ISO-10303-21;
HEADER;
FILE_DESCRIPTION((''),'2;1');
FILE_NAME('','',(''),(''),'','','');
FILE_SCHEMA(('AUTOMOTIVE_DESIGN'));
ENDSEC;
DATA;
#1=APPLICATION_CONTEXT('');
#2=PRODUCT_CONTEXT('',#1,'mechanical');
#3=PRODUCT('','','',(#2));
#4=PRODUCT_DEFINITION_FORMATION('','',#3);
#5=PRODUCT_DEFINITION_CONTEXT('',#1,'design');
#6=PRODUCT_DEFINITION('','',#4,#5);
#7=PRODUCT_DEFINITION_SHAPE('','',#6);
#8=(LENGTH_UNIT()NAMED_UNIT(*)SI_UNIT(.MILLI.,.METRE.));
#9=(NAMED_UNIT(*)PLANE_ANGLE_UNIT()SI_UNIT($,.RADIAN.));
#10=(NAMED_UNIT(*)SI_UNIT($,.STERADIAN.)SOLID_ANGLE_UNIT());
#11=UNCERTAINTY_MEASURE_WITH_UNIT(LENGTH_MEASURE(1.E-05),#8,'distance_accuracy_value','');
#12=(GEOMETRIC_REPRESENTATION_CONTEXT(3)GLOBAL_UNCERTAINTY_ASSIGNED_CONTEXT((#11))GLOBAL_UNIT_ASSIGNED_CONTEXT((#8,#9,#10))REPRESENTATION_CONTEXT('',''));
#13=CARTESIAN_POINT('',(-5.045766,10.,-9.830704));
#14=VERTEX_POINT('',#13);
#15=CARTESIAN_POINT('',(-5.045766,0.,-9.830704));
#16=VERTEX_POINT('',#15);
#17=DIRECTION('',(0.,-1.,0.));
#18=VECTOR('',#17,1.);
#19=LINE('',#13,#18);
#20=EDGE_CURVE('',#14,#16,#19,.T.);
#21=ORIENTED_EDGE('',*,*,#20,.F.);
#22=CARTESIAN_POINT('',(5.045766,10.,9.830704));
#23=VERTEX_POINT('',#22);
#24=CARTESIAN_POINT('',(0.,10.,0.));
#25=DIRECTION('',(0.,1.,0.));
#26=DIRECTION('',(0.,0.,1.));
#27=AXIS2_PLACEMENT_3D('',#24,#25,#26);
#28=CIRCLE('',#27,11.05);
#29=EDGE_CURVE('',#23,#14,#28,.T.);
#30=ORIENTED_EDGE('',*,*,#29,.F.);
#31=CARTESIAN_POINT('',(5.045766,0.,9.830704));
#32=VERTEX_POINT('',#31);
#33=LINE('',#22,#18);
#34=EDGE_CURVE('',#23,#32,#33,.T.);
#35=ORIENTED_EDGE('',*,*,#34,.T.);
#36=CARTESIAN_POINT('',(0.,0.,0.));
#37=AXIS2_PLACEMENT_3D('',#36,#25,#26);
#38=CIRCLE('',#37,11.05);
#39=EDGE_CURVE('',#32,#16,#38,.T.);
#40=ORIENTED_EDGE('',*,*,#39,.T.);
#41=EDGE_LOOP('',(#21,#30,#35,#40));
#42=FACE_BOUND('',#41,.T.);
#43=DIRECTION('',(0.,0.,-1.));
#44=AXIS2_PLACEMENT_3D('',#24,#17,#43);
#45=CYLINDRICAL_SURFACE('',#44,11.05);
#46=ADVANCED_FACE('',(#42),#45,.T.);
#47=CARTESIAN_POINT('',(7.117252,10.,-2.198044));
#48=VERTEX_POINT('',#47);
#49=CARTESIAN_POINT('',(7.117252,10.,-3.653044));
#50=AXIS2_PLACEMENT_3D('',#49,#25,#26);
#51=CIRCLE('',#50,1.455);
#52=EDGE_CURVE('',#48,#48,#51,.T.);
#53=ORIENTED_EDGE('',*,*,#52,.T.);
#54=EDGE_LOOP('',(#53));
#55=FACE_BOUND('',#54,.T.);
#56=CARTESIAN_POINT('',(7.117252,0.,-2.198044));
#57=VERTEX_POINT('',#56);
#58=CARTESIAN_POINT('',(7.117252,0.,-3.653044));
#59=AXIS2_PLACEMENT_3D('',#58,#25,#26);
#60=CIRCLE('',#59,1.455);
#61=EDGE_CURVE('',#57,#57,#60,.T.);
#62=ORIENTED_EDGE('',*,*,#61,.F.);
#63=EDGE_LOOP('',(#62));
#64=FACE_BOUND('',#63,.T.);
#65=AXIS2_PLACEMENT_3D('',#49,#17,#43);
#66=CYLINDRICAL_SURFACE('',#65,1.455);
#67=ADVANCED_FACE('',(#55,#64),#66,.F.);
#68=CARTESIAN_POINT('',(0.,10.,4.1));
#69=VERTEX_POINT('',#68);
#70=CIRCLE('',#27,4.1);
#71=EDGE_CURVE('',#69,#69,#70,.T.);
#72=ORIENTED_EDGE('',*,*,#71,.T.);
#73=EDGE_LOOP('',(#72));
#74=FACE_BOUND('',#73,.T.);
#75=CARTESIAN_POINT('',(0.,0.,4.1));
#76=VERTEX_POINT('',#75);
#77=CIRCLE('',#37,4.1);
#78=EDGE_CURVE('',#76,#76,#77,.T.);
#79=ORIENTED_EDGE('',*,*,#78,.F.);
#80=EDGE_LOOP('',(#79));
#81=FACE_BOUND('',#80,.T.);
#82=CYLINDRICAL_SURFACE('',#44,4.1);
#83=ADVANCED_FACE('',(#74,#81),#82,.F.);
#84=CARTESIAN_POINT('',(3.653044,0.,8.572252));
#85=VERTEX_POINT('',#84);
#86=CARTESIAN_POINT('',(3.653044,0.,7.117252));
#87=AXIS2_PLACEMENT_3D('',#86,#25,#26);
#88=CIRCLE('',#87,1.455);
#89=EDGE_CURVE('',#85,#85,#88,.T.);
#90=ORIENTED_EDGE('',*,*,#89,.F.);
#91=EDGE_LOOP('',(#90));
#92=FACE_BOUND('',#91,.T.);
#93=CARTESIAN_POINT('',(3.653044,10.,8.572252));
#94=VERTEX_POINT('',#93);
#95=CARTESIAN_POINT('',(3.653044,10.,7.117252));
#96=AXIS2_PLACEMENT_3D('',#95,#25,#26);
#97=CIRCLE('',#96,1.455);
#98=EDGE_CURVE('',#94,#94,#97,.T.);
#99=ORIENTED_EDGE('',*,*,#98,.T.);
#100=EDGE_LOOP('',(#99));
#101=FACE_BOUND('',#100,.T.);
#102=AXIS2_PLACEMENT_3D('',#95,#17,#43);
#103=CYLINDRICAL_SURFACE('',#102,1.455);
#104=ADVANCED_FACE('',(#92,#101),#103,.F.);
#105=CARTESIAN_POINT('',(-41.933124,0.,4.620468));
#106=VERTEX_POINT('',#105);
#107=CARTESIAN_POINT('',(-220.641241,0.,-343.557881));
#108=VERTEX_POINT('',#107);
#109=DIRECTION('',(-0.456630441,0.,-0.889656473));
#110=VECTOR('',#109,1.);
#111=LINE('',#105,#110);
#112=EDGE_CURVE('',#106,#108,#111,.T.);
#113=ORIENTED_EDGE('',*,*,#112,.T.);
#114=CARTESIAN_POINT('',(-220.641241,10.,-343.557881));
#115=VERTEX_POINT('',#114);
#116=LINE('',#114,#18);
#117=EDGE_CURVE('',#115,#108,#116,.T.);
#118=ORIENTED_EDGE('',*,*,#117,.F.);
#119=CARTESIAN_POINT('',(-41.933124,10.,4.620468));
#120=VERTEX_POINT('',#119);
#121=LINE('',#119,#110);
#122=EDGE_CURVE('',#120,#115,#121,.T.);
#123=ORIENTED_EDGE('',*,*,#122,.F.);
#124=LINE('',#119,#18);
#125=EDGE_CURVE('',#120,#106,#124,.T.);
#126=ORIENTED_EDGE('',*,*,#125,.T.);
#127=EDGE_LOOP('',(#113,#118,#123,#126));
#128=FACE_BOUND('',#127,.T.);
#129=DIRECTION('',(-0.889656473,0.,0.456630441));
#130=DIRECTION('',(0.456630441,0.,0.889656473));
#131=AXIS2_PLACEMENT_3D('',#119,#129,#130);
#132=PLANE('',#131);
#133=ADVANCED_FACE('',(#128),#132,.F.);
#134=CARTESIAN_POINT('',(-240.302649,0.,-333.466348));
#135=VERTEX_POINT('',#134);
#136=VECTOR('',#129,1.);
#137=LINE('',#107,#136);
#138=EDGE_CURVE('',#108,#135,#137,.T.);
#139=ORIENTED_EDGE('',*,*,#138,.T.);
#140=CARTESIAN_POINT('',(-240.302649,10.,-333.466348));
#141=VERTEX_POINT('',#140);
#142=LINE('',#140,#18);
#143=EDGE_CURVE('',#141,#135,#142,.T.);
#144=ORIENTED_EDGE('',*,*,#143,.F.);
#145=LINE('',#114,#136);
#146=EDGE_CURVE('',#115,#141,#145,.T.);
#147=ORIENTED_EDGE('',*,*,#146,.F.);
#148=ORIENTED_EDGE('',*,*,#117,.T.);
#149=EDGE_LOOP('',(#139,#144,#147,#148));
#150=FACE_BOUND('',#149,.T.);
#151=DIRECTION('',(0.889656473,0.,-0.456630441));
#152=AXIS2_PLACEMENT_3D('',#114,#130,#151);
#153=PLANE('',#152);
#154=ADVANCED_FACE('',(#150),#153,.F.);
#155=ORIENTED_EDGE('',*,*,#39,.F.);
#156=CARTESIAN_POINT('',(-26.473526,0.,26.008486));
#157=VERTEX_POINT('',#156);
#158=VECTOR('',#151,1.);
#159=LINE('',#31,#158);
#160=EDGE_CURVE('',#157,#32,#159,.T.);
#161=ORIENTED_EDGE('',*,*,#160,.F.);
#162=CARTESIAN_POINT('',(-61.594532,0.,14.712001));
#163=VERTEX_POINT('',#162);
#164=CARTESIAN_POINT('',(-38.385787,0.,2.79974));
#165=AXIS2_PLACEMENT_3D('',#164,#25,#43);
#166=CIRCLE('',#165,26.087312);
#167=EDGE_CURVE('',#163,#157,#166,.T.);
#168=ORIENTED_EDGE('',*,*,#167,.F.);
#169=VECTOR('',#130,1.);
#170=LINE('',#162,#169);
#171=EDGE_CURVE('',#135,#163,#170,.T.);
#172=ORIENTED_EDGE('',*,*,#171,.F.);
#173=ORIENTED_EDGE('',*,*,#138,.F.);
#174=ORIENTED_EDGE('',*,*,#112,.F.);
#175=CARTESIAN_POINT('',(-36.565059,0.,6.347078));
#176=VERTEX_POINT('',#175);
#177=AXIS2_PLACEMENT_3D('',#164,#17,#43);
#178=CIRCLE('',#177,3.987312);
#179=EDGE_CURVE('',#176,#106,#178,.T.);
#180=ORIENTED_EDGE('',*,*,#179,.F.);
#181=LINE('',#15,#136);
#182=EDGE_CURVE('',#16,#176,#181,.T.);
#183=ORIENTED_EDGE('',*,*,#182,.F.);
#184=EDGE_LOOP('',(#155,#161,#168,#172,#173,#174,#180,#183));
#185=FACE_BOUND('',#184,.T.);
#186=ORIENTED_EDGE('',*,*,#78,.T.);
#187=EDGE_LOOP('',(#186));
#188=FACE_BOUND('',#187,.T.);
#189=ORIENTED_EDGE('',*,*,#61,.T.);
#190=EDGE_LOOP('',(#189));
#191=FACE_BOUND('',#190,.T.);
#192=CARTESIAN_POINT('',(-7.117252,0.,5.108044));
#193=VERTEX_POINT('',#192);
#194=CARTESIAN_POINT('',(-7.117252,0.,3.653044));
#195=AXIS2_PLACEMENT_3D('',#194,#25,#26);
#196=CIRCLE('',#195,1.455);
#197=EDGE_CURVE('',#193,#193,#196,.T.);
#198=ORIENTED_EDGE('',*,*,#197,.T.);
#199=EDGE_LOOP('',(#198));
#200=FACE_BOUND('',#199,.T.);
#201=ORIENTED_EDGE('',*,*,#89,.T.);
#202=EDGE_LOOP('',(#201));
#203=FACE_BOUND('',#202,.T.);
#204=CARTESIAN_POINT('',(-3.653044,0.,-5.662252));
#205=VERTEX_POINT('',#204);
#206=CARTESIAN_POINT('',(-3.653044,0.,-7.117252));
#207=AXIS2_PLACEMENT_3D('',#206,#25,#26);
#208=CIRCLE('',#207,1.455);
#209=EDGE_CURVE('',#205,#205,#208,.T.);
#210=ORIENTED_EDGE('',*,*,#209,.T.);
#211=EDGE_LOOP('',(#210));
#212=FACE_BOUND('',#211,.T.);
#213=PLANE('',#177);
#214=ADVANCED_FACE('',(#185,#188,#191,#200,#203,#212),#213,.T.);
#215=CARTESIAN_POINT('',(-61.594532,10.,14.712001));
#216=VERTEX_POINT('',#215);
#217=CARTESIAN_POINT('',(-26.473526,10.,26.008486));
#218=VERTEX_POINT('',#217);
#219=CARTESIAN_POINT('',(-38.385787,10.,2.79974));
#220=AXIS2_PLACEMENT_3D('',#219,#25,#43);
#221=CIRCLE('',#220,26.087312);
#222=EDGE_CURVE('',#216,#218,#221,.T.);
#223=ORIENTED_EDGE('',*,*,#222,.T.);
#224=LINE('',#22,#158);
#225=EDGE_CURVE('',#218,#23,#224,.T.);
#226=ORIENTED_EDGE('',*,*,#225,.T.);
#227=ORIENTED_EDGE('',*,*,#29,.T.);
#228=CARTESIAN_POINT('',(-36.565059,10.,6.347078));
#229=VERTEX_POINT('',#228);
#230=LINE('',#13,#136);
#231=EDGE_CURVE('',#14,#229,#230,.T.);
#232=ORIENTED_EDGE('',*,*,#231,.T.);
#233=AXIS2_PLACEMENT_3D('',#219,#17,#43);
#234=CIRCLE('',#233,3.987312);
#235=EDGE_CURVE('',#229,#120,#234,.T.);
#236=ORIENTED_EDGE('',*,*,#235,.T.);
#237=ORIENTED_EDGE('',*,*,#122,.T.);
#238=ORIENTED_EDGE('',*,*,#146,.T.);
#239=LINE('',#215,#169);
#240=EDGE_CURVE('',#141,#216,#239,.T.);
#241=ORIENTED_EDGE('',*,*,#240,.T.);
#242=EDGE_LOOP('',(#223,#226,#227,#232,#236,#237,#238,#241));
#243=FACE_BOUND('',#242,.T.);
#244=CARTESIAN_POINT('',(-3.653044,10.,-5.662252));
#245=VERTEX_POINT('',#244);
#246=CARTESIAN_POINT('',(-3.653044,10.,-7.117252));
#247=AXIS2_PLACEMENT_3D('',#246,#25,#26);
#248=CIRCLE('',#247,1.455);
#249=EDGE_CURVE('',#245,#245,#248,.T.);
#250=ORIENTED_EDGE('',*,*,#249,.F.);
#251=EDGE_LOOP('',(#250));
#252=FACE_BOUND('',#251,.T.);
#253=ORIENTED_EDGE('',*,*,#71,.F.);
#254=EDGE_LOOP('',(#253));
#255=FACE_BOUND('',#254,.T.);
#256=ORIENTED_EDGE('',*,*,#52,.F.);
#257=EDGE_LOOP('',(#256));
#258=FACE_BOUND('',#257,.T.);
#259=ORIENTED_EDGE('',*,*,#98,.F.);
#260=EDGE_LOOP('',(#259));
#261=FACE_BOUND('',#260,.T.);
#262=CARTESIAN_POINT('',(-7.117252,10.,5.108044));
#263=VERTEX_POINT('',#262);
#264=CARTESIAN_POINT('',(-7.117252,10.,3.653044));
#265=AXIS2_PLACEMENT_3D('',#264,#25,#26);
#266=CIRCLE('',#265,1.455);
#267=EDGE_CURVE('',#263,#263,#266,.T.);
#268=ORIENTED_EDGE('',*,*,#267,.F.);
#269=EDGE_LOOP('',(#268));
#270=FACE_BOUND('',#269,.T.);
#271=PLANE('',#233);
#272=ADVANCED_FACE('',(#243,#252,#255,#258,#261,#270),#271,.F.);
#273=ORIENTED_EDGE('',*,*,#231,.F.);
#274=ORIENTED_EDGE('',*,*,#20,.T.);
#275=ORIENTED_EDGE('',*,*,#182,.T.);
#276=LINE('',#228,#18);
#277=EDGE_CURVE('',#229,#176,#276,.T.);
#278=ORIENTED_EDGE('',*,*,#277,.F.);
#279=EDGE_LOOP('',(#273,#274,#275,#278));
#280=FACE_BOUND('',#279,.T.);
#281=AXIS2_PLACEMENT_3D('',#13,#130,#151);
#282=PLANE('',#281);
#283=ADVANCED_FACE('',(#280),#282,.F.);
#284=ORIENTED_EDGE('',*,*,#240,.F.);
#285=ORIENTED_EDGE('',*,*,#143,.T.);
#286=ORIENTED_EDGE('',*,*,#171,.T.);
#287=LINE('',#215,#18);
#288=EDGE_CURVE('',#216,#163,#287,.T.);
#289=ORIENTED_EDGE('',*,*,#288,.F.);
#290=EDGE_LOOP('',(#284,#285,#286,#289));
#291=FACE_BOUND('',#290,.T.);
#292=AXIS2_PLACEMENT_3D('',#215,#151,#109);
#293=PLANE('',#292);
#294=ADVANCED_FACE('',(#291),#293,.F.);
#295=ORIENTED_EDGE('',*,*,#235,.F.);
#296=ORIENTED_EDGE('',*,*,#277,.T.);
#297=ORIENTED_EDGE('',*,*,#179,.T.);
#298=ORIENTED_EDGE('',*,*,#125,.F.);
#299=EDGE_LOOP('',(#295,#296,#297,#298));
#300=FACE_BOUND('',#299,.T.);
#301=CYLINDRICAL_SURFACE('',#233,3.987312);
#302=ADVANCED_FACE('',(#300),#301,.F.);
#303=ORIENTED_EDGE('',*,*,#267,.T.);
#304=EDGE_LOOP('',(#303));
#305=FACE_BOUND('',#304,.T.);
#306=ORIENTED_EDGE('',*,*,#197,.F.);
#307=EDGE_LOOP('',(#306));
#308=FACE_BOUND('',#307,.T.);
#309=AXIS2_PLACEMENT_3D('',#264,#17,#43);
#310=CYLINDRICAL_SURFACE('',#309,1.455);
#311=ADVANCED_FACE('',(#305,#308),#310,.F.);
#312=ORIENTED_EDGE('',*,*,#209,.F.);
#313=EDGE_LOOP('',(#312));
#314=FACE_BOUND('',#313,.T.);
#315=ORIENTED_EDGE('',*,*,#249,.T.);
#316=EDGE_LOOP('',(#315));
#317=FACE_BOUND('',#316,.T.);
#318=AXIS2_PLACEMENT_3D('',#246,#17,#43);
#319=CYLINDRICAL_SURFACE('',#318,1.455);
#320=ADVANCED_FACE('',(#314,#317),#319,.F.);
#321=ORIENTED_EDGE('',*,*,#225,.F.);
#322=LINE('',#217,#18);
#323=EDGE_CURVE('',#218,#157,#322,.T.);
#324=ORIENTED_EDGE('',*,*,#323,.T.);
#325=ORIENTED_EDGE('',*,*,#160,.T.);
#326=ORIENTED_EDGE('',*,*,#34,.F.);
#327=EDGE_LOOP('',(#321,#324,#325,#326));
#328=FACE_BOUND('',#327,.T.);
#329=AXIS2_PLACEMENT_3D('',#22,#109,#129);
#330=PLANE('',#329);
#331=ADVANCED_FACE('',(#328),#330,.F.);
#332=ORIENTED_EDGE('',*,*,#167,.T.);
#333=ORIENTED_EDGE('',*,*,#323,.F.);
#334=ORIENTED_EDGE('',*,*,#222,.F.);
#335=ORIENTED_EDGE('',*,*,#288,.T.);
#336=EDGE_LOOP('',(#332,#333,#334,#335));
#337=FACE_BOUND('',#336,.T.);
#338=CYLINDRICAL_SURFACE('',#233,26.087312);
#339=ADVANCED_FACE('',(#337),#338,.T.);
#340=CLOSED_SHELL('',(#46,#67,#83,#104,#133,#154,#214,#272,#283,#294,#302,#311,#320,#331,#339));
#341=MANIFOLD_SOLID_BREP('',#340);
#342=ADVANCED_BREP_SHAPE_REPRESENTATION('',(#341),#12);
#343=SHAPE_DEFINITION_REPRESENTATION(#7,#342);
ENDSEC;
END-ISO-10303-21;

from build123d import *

# Parameters (mm, degrees)
SKETCH2_R           = 4.1
SKETCH2_R_2         = 1.455
BOSS_EXTRUDE2_DEPTH = 10


with BuildPart() as part:
    # Sketch2 → Boss-Extrude2 (new body)
    with BuildSketch(Plane(origin=(0, 0, 0), x_dir=(-1, 0, 0), z_dir=(0, 1, 0))):
        with BuildLine():
            Line((5.045766375, -9.830704028), (36.565058692, 6.347077836))
            ThreePointArc((36.565058692, 6.347077836), (39.606684002, 6.595535729), (41.933124145, 4.620468108))
            Line((41.933124145, 4.620468108), (220.6412412, -343.557880956))
            Line((220.6412412, -343.557880956), (240.302649257, -333.466348206))
            Line((240.302649257, -333.466348206), (61.594532201, 14.712000858))
            ThreePointArc((61.594532201, 14.712000858), (46.373607726, 27.634041934), (26.473525942, 26.008485892))
            Line((26.473525942, 26.008485892), (-5.045766375, 9.830704028))
            ThreePointArc((-5.045766375, 9.830704028), (-9.830704028, -5.045766375), (5.045766375, -9.830704028))
        make_face()
        Circle(SKETCH2_R, mode=Mode.SUBTRACT)
        with Locations((-3.653043529, 7.117251785)):
            Circle(SKETCH2_R_2, mode=Mode.SUBTRACT)
        with Locations((7.117251785, 3.653043529)):
            Circle(SKETCH2_R_2, mode=Mode.SUBTRACT)
        with Locations((-7.117251785, -3.653043529)):
            Circle(SKETCH2_R_2, mode=Mode.SUBTRACT)
        with Locations((3.653043529, -7.117251785)):
            Circle(SKETCH2_R_2, mode=Mode.SUBTRACT)
    extrude(amount=BOSS_EXTRUDE2_DEPTH)


solid = part.part
